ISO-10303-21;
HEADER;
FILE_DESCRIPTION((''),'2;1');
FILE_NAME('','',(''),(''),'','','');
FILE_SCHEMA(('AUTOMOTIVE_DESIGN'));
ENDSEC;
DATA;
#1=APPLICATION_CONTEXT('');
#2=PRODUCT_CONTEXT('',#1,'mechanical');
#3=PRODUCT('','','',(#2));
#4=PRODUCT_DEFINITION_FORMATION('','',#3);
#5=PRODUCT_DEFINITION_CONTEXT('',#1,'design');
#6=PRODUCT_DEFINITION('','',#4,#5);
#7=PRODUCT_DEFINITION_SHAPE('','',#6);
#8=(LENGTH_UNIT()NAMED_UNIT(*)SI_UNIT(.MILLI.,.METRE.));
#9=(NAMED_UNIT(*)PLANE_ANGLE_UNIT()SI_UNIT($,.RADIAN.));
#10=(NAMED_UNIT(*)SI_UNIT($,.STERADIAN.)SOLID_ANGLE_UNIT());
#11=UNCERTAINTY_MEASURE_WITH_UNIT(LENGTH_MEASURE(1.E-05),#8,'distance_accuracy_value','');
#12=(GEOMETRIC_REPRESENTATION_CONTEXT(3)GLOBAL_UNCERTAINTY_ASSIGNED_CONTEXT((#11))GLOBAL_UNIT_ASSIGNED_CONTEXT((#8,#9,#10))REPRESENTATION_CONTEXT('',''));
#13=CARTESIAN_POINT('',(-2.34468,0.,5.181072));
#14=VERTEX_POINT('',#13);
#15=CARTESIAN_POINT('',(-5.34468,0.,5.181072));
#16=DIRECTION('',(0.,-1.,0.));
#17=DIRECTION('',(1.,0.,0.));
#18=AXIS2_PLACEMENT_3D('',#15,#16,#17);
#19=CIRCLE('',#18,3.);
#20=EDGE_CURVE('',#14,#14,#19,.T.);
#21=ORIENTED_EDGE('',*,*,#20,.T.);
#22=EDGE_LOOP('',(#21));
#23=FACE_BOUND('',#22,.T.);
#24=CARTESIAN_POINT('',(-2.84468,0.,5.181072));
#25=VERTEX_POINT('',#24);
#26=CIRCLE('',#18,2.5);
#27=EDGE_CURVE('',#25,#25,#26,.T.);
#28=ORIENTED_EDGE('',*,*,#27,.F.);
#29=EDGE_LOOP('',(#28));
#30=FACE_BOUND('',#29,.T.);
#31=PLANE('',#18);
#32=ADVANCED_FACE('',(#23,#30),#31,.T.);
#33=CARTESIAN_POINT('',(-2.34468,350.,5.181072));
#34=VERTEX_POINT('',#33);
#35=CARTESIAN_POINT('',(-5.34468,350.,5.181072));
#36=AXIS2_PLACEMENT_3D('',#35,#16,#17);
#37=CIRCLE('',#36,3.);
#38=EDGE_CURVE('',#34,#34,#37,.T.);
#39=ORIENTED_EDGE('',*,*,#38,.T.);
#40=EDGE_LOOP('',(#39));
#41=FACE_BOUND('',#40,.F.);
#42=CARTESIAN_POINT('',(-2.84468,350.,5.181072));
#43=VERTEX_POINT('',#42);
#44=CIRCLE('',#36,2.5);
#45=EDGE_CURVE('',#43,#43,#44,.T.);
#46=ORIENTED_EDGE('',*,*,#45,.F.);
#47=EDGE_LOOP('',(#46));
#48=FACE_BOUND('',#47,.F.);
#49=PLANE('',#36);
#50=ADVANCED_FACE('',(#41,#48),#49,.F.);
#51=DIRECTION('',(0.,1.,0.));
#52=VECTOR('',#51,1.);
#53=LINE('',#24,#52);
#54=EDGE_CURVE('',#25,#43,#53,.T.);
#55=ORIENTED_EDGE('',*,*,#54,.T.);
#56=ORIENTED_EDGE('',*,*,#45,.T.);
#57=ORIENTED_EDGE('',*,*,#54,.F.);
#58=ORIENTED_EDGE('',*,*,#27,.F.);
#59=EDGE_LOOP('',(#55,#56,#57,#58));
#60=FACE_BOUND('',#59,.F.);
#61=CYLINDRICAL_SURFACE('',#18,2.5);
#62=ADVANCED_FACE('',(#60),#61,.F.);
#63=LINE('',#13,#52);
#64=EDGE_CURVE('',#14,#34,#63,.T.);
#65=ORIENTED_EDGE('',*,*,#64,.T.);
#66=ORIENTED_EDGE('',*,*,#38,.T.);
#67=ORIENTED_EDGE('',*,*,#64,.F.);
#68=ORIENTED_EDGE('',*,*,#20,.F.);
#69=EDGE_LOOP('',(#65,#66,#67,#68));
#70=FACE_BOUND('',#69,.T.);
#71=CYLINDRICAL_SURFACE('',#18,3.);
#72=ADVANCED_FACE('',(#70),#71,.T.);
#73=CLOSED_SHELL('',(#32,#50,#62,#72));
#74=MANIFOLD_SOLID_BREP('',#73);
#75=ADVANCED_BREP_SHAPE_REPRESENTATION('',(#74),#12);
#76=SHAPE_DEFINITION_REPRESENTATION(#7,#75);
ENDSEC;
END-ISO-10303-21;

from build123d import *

# Parameters (mm, degrees)
F0_R     = 3
F0_R_2   = 2.5
F1_DEPTH = 350


with BuildPart() as f1:
    # F0 (on Front) → F1 (new body)
    with BuildSketch(Plane.XZ):
        with Locations((-5.34468, 5.181072)):
            Circle(F0_R)
        with Locations((-5.34468, 5.181072)):
            Circle(F0_R_2, mode=Mode.SUBTRACT)
    extrude(amount=-F1_DEPTH)


solid = f1.part
